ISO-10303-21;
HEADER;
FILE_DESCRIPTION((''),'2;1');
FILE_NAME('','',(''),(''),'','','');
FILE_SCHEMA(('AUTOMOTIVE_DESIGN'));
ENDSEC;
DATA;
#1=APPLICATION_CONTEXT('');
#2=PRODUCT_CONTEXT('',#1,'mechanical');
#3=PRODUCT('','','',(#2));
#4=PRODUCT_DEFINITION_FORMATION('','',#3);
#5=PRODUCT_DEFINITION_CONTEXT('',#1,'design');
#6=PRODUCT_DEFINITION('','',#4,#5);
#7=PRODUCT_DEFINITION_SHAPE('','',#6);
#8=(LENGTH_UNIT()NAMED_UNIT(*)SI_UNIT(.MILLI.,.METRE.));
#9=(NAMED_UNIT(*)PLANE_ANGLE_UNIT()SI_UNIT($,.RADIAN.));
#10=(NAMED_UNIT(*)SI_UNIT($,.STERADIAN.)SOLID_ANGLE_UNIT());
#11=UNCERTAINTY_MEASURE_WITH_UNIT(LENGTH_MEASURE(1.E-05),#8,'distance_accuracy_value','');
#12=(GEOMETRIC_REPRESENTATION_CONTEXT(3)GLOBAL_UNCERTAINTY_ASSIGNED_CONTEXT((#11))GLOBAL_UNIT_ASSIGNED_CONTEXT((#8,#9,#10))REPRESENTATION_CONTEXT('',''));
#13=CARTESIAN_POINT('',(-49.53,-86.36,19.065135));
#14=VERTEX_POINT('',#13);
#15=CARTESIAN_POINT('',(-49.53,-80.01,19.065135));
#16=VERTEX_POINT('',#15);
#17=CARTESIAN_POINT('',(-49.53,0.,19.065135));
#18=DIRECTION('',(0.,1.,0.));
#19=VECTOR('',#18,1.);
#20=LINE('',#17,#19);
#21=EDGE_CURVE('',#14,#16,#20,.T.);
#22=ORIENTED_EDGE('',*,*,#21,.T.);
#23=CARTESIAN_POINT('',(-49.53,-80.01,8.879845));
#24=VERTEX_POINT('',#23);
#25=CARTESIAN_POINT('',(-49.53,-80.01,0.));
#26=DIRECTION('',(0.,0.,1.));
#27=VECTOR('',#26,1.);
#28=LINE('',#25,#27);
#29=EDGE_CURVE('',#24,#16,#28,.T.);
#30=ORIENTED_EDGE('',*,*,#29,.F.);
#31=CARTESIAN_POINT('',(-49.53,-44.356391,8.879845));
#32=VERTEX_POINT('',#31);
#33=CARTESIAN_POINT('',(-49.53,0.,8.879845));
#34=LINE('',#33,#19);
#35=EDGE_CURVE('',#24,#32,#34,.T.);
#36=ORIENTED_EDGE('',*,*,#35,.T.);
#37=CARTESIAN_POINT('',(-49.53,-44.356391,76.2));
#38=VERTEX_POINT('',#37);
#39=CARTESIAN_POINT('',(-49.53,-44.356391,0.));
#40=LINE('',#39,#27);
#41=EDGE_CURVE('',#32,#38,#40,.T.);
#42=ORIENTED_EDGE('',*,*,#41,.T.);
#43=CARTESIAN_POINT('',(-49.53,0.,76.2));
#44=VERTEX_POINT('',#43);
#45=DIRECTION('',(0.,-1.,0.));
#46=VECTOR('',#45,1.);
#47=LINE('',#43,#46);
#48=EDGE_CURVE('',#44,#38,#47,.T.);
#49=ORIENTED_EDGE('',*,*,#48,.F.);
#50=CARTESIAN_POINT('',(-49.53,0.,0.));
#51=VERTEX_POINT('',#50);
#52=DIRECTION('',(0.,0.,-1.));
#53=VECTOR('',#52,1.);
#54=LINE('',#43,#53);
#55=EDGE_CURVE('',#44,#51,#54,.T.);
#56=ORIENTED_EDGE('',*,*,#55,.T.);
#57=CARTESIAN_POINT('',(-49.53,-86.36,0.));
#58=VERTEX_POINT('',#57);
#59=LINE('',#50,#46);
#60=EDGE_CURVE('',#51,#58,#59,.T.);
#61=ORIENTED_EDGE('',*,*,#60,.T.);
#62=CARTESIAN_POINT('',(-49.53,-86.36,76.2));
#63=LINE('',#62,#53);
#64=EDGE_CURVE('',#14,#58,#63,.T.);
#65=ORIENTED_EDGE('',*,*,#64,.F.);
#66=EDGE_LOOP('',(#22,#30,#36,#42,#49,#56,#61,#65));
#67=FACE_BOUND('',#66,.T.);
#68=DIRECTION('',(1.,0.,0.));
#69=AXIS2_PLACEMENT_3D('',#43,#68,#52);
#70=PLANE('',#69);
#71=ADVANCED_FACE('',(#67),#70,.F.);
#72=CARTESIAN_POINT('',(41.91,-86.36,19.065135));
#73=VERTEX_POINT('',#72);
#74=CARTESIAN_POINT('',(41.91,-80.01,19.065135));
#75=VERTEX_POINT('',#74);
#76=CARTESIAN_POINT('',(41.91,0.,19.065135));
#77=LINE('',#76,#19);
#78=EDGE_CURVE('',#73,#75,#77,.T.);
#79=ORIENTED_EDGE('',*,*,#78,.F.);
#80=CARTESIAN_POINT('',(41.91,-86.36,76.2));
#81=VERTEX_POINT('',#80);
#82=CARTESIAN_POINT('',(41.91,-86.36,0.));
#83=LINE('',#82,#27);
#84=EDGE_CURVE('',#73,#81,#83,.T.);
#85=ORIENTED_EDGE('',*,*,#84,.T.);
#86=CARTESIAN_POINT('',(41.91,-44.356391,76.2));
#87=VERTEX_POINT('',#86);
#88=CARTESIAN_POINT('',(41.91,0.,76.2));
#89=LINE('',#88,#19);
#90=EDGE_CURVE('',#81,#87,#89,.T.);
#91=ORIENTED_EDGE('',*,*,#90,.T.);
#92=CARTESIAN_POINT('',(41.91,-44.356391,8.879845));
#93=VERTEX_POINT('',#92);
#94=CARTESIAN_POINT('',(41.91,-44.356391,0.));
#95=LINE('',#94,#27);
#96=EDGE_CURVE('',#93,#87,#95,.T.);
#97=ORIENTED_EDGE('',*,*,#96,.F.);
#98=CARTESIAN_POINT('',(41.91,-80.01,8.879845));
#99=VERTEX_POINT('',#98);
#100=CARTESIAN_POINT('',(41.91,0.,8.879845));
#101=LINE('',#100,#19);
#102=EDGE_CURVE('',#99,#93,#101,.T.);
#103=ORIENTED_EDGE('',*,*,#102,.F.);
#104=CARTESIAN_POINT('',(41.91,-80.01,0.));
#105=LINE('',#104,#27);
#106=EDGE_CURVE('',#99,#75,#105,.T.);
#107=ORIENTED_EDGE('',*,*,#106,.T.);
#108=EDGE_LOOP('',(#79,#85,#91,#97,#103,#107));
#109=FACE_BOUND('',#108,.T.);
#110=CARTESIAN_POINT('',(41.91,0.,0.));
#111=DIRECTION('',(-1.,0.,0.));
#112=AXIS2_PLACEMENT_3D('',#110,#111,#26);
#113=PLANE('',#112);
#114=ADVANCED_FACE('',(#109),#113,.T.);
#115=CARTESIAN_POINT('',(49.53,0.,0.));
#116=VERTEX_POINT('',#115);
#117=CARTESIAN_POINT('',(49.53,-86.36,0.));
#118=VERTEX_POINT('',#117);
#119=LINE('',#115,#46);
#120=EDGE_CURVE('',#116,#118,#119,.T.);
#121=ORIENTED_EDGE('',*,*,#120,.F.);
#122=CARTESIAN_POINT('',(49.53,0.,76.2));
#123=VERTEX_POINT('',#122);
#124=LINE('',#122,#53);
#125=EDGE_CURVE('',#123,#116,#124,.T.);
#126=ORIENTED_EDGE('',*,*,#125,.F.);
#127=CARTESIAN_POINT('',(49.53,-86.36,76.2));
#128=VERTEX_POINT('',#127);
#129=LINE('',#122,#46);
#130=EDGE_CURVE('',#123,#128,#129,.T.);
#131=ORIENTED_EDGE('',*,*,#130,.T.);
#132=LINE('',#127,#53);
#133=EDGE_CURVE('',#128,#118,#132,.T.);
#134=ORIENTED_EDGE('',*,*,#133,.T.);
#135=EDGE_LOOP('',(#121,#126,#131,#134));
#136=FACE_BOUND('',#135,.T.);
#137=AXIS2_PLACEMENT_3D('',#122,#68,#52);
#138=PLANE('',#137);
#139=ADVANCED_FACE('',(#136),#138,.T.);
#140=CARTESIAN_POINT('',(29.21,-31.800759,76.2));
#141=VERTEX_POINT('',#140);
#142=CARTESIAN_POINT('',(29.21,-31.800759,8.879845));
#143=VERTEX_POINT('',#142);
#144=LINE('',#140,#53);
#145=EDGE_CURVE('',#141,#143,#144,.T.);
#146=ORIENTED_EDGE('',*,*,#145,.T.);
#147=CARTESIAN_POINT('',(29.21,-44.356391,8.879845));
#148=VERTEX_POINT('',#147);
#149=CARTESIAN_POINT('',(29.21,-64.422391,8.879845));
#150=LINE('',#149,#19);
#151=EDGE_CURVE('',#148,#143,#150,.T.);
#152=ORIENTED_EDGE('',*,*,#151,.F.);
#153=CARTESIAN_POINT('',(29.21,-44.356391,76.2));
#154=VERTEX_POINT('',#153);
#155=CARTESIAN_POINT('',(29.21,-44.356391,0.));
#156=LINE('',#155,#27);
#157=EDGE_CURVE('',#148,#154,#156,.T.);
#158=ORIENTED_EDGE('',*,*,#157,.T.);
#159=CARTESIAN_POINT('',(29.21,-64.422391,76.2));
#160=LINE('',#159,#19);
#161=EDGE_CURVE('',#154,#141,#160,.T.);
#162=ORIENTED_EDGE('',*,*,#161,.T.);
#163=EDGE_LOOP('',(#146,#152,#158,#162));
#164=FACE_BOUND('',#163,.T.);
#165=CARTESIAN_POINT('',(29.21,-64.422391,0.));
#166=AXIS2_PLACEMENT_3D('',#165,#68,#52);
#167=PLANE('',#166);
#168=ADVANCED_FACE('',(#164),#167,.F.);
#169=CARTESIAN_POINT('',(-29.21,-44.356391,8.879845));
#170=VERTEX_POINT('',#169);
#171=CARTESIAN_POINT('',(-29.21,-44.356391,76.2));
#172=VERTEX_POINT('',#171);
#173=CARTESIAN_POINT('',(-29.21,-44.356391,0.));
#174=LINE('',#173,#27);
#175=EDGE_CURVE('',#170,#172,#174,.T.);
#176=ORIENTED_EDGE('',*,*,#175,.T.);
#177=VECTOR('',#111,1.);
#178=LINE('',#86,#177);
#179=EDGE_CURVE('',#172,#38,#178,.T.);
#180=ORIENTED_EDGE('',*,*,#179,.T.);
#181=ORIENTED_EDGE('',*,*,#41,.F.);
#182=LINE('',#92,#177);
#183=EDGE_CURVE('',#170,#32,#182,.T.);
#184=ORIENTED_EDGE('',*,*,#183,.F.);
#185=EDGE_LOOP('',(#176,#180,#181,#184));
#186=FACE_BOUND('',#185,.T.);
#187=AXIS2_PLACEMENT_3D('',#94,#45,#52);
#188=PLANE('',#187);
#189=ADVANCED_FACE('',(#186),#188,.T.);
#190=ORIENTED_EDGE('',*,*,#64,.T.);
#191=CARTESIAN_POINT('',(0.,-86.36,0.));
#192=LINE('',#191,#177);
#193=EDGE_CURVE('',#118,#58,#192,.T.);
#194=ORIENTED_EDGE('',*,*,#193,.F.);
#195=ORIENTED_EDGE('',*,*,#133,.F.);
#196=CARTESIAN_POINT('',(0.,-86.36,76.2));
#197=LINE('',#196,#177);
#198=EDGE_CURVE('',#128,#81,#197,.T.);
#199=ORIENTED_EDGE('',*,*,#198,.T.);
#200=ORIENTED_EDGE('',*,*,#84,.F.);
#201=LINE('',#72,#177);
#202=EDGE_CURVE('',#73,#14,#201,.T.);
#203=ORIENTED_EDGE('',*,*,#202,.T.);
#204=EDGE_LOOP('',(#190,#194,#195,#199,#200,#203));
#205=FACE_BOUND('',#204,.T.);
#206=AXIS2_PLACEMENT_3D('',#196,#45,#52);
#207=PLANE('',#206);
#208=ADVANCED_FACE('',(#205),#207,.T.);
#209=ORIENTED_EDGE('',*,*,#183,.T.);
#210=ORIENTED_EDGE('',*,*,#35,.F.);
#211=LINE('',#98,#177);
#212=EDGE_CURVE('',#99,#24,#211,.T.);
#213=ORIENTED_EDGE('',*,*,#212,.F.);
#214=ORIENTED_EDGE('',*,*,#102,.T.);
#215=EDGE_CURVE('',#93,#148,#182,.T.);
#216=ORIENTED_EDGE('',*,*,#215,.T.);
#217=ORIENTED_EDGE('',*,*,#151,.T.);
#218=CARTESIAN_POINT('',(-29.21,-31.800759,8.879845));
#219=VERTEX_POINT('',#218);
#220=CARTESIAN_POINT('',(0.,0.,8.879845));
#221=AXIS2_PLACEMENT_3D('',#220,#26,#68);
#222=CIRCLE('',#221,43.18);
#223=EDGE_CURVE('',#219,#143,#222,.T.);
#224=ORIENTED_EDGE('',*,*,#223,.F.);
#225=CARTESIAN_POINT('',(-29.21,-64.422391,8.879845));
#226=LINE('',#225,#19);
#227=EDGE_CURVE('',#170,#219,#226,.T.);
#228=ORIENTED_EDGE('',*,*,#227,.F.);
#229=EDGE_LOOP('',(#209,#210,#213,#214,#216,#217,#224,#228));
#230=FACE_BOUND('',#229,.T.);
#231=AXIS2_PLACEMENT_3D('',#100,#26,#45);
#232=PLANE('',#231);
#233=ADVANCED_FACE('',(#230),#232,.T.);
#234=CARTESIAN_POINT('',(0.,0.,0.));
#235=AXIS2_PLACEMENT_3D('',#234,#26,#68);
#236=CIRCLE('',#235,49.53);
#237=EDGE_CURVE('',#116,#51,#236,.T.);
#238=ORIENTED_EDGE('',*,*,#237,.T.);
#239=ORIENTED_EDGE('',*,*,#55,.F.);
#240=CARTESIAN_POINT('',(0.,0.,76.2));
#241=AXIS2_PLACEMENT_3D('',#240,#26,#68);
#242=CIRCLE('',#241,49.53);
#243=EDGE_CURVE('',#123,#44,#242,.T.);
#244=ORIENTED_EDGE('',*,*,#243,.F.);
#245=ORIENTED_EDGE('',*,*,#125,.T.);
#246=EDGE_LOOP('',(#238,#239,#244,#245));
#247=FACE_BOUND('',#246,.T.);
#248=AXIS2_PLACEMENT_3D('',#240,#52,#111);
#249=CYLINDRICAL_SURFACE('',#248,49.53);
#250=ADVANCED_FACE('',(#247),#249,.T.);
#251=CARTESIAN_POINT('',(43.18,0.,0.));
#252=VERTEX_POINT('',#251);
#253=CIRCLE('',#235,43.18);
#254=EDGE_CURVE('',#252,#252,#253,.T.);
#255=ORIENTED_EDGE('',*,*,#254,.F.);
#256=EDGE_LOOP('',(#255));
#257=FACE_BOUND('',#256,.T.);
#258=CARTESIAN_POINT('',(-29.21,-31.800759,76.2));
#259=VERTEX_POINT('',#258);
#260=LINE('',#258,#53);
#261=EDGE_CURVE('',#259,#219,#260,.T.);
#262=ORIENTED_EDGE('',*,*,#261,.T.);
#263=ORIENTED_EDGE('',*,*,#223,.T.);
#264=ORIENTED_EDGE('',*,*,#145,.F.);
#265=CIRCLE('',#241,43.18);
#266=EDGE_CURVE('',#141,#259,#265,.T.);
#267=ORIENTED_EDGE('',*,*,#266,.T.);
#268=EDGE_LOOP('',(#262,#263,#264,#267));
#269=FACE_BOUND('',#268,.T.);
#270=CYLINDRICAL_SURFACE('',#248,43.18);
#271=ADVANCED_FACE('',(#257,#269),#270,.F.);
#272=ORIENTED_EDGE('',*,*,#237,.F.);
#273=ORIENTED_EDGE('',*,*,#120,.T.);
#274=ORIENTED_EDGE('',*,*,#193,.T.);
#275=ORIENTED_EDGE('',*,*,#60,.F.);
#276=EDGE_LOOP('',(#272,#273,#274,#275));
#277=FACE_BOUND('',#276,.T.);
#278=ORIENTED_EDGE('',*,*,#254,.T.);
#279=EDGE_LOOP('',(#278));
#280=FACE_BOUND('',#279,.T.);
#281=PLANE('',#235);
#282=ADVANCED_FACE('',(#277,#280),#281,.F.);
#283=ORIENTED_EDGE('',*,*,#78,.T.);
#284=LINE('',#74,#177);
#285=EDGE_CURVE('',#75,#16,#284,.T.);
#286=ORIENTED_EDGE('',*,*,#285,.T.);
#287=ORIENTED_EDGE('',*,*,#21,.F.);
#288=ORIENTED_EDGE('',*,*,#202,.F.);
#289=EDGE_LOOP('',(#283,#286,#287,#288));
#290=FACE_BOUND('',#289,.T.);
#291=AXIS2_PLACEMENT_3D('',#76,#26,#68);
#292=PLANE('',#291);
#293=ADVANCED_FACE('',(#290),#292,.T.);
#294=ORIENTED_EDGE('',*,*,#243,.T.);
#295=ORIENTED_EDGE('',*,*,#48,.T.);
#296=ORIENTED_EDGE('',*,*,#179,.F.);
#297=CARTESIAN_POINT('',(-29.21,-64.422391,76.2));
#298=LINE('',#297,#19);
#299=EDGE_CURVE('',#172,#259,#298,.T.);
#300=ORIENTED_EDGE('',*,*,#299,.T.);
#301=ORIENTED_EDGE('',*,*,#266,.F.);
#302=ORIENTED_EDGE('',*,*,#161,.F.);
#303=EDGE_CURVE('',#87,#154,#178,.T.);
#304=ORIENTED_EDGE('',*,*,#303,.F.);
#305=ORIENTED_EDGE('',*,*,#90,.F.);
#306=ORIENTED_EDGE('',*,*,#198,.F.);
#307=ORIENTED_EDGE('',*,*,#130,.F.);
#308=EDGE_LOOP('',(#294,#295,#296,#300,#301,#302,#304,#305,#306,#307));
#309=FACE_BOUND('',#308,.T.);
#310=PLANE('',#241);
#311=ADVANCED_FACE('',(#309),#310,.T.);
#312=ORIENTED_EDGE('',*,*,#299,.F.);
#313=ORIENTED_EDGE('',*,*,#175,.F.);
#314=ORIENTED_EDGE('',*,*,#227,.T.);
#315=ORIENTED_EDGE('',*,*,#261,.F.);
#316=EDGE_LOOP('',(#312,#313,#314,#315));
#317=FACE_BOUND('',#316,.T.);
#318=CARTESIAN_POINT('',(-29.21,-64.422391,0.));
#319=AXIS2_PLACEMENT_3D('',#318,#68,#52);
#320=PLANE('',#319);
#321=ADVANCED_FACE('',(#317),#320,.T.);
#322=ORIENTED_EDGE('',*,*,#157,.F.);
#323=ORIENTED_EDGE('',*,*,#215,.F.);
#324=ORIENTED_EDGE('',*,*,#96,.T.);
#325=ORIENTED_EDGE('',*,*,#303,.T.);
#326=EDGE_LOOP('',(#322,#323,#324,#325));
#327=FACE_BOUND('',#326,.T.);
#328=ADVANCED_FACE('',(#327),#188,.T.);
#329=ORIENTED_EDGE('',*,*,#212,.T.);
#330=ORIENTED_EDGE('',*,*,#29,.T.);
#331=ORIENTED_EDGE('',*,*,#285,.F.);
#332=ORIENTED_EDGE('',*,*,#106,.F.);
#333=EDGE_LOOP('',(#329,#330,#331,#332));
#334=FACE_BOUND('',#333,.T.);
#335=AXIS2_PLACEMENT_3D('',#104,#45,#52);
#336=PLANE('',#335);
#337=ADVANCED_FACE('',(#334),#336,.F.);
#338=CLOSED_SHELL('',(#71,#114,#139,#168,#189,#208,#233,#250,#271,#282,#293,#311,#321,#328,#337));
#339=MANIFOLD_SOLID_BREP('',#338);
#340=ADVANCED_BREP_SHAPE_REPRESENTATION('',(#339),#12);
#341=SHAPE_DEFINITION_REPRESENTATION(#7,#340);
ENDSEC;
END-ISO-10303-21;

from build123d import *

# Parameters (mm, degrees)
SKETCH1_R               = 49.53
SKETCH1_R_2             = 43.18
BOSS_EXTRUDE1_DEPTH     = 76.2
BOSS_EXTRUDE2_DEPTH     = 76.2
CUT_EXTRUDE4_DEPTH      = 91.44
CUT_EXTRUDE5_DEPTH      = 20.066
CUT_EXTRUDE5_DEPTH_BACK = 23.622


with BuildPart() as part:
    # Sketch1 → Boss-Extrude1 (new body)
    with BuildSketch(Plane.XY):
        Circle(SKETCH1_R)
        Circle(SKETCH1_R_2, mode=Mode.SUBTRACT)
    extrude(amount=BOSS_EXTRUDE1_DEPTH)

    # Sketch2 → Boss-Extrude2 (add)
    with BuildSketch(Plane.XY):
        with BuildLine():
            ThreePointArc((49.53, 0), (0, -49.53), (-49.53, 0))
            Line((-49.53, 0), (-49.53, -49.53))
            Line((-49.53, -49.53), (-49.53, -86.36))
            Line((-49.53, -86.36), (0, -86.36))
            Line((0, -86.36), (49.53, -86.36))
            Line((49.53, -86.36), (49.53, 0))
        make_face()
    extrude(amount=BOSS_EXTRUDE2_DEPTH)

    # Sketch3 → Cut-Extrude4 (cut)
    with BuildSketch(Plane.ZY.offset(49.53)):
        Polygon((19.065134697, -80.01), (19.065134697, -86.36), (31.768891325, -86.36), (76.2, -86.36), (76.2, -44.356391486), (8.879845192, -44.356391486), (8.879845192, -80.01), align=None)
    extrude(amount=-CUT_EXTRUDE4_DEPTH, mode=Mode.SUBTRACT)

    # Sketch6 → Cut-Extrude5 (cut, two sides)
    with BuildSketch(Plane.XZ.offset(44.356391486)) as cut_extrude5_sk:
        Polygon((0, 76.2), (-29.21, 76.2), (-29.21, 8.879845192), (29.21, 8.879845192), (29.21, 76.2), align=None)
    extrude(amount=CUT_EXTRUDE5_DEPTH, mode=Mode.SUBTRACT)
    extrude(cut_extrude5_sk.sketch, amount=-CUT_EXTRUDE5_DEPTH_BACK, mode=Mode.SUBTRACT)


solid = part.part
